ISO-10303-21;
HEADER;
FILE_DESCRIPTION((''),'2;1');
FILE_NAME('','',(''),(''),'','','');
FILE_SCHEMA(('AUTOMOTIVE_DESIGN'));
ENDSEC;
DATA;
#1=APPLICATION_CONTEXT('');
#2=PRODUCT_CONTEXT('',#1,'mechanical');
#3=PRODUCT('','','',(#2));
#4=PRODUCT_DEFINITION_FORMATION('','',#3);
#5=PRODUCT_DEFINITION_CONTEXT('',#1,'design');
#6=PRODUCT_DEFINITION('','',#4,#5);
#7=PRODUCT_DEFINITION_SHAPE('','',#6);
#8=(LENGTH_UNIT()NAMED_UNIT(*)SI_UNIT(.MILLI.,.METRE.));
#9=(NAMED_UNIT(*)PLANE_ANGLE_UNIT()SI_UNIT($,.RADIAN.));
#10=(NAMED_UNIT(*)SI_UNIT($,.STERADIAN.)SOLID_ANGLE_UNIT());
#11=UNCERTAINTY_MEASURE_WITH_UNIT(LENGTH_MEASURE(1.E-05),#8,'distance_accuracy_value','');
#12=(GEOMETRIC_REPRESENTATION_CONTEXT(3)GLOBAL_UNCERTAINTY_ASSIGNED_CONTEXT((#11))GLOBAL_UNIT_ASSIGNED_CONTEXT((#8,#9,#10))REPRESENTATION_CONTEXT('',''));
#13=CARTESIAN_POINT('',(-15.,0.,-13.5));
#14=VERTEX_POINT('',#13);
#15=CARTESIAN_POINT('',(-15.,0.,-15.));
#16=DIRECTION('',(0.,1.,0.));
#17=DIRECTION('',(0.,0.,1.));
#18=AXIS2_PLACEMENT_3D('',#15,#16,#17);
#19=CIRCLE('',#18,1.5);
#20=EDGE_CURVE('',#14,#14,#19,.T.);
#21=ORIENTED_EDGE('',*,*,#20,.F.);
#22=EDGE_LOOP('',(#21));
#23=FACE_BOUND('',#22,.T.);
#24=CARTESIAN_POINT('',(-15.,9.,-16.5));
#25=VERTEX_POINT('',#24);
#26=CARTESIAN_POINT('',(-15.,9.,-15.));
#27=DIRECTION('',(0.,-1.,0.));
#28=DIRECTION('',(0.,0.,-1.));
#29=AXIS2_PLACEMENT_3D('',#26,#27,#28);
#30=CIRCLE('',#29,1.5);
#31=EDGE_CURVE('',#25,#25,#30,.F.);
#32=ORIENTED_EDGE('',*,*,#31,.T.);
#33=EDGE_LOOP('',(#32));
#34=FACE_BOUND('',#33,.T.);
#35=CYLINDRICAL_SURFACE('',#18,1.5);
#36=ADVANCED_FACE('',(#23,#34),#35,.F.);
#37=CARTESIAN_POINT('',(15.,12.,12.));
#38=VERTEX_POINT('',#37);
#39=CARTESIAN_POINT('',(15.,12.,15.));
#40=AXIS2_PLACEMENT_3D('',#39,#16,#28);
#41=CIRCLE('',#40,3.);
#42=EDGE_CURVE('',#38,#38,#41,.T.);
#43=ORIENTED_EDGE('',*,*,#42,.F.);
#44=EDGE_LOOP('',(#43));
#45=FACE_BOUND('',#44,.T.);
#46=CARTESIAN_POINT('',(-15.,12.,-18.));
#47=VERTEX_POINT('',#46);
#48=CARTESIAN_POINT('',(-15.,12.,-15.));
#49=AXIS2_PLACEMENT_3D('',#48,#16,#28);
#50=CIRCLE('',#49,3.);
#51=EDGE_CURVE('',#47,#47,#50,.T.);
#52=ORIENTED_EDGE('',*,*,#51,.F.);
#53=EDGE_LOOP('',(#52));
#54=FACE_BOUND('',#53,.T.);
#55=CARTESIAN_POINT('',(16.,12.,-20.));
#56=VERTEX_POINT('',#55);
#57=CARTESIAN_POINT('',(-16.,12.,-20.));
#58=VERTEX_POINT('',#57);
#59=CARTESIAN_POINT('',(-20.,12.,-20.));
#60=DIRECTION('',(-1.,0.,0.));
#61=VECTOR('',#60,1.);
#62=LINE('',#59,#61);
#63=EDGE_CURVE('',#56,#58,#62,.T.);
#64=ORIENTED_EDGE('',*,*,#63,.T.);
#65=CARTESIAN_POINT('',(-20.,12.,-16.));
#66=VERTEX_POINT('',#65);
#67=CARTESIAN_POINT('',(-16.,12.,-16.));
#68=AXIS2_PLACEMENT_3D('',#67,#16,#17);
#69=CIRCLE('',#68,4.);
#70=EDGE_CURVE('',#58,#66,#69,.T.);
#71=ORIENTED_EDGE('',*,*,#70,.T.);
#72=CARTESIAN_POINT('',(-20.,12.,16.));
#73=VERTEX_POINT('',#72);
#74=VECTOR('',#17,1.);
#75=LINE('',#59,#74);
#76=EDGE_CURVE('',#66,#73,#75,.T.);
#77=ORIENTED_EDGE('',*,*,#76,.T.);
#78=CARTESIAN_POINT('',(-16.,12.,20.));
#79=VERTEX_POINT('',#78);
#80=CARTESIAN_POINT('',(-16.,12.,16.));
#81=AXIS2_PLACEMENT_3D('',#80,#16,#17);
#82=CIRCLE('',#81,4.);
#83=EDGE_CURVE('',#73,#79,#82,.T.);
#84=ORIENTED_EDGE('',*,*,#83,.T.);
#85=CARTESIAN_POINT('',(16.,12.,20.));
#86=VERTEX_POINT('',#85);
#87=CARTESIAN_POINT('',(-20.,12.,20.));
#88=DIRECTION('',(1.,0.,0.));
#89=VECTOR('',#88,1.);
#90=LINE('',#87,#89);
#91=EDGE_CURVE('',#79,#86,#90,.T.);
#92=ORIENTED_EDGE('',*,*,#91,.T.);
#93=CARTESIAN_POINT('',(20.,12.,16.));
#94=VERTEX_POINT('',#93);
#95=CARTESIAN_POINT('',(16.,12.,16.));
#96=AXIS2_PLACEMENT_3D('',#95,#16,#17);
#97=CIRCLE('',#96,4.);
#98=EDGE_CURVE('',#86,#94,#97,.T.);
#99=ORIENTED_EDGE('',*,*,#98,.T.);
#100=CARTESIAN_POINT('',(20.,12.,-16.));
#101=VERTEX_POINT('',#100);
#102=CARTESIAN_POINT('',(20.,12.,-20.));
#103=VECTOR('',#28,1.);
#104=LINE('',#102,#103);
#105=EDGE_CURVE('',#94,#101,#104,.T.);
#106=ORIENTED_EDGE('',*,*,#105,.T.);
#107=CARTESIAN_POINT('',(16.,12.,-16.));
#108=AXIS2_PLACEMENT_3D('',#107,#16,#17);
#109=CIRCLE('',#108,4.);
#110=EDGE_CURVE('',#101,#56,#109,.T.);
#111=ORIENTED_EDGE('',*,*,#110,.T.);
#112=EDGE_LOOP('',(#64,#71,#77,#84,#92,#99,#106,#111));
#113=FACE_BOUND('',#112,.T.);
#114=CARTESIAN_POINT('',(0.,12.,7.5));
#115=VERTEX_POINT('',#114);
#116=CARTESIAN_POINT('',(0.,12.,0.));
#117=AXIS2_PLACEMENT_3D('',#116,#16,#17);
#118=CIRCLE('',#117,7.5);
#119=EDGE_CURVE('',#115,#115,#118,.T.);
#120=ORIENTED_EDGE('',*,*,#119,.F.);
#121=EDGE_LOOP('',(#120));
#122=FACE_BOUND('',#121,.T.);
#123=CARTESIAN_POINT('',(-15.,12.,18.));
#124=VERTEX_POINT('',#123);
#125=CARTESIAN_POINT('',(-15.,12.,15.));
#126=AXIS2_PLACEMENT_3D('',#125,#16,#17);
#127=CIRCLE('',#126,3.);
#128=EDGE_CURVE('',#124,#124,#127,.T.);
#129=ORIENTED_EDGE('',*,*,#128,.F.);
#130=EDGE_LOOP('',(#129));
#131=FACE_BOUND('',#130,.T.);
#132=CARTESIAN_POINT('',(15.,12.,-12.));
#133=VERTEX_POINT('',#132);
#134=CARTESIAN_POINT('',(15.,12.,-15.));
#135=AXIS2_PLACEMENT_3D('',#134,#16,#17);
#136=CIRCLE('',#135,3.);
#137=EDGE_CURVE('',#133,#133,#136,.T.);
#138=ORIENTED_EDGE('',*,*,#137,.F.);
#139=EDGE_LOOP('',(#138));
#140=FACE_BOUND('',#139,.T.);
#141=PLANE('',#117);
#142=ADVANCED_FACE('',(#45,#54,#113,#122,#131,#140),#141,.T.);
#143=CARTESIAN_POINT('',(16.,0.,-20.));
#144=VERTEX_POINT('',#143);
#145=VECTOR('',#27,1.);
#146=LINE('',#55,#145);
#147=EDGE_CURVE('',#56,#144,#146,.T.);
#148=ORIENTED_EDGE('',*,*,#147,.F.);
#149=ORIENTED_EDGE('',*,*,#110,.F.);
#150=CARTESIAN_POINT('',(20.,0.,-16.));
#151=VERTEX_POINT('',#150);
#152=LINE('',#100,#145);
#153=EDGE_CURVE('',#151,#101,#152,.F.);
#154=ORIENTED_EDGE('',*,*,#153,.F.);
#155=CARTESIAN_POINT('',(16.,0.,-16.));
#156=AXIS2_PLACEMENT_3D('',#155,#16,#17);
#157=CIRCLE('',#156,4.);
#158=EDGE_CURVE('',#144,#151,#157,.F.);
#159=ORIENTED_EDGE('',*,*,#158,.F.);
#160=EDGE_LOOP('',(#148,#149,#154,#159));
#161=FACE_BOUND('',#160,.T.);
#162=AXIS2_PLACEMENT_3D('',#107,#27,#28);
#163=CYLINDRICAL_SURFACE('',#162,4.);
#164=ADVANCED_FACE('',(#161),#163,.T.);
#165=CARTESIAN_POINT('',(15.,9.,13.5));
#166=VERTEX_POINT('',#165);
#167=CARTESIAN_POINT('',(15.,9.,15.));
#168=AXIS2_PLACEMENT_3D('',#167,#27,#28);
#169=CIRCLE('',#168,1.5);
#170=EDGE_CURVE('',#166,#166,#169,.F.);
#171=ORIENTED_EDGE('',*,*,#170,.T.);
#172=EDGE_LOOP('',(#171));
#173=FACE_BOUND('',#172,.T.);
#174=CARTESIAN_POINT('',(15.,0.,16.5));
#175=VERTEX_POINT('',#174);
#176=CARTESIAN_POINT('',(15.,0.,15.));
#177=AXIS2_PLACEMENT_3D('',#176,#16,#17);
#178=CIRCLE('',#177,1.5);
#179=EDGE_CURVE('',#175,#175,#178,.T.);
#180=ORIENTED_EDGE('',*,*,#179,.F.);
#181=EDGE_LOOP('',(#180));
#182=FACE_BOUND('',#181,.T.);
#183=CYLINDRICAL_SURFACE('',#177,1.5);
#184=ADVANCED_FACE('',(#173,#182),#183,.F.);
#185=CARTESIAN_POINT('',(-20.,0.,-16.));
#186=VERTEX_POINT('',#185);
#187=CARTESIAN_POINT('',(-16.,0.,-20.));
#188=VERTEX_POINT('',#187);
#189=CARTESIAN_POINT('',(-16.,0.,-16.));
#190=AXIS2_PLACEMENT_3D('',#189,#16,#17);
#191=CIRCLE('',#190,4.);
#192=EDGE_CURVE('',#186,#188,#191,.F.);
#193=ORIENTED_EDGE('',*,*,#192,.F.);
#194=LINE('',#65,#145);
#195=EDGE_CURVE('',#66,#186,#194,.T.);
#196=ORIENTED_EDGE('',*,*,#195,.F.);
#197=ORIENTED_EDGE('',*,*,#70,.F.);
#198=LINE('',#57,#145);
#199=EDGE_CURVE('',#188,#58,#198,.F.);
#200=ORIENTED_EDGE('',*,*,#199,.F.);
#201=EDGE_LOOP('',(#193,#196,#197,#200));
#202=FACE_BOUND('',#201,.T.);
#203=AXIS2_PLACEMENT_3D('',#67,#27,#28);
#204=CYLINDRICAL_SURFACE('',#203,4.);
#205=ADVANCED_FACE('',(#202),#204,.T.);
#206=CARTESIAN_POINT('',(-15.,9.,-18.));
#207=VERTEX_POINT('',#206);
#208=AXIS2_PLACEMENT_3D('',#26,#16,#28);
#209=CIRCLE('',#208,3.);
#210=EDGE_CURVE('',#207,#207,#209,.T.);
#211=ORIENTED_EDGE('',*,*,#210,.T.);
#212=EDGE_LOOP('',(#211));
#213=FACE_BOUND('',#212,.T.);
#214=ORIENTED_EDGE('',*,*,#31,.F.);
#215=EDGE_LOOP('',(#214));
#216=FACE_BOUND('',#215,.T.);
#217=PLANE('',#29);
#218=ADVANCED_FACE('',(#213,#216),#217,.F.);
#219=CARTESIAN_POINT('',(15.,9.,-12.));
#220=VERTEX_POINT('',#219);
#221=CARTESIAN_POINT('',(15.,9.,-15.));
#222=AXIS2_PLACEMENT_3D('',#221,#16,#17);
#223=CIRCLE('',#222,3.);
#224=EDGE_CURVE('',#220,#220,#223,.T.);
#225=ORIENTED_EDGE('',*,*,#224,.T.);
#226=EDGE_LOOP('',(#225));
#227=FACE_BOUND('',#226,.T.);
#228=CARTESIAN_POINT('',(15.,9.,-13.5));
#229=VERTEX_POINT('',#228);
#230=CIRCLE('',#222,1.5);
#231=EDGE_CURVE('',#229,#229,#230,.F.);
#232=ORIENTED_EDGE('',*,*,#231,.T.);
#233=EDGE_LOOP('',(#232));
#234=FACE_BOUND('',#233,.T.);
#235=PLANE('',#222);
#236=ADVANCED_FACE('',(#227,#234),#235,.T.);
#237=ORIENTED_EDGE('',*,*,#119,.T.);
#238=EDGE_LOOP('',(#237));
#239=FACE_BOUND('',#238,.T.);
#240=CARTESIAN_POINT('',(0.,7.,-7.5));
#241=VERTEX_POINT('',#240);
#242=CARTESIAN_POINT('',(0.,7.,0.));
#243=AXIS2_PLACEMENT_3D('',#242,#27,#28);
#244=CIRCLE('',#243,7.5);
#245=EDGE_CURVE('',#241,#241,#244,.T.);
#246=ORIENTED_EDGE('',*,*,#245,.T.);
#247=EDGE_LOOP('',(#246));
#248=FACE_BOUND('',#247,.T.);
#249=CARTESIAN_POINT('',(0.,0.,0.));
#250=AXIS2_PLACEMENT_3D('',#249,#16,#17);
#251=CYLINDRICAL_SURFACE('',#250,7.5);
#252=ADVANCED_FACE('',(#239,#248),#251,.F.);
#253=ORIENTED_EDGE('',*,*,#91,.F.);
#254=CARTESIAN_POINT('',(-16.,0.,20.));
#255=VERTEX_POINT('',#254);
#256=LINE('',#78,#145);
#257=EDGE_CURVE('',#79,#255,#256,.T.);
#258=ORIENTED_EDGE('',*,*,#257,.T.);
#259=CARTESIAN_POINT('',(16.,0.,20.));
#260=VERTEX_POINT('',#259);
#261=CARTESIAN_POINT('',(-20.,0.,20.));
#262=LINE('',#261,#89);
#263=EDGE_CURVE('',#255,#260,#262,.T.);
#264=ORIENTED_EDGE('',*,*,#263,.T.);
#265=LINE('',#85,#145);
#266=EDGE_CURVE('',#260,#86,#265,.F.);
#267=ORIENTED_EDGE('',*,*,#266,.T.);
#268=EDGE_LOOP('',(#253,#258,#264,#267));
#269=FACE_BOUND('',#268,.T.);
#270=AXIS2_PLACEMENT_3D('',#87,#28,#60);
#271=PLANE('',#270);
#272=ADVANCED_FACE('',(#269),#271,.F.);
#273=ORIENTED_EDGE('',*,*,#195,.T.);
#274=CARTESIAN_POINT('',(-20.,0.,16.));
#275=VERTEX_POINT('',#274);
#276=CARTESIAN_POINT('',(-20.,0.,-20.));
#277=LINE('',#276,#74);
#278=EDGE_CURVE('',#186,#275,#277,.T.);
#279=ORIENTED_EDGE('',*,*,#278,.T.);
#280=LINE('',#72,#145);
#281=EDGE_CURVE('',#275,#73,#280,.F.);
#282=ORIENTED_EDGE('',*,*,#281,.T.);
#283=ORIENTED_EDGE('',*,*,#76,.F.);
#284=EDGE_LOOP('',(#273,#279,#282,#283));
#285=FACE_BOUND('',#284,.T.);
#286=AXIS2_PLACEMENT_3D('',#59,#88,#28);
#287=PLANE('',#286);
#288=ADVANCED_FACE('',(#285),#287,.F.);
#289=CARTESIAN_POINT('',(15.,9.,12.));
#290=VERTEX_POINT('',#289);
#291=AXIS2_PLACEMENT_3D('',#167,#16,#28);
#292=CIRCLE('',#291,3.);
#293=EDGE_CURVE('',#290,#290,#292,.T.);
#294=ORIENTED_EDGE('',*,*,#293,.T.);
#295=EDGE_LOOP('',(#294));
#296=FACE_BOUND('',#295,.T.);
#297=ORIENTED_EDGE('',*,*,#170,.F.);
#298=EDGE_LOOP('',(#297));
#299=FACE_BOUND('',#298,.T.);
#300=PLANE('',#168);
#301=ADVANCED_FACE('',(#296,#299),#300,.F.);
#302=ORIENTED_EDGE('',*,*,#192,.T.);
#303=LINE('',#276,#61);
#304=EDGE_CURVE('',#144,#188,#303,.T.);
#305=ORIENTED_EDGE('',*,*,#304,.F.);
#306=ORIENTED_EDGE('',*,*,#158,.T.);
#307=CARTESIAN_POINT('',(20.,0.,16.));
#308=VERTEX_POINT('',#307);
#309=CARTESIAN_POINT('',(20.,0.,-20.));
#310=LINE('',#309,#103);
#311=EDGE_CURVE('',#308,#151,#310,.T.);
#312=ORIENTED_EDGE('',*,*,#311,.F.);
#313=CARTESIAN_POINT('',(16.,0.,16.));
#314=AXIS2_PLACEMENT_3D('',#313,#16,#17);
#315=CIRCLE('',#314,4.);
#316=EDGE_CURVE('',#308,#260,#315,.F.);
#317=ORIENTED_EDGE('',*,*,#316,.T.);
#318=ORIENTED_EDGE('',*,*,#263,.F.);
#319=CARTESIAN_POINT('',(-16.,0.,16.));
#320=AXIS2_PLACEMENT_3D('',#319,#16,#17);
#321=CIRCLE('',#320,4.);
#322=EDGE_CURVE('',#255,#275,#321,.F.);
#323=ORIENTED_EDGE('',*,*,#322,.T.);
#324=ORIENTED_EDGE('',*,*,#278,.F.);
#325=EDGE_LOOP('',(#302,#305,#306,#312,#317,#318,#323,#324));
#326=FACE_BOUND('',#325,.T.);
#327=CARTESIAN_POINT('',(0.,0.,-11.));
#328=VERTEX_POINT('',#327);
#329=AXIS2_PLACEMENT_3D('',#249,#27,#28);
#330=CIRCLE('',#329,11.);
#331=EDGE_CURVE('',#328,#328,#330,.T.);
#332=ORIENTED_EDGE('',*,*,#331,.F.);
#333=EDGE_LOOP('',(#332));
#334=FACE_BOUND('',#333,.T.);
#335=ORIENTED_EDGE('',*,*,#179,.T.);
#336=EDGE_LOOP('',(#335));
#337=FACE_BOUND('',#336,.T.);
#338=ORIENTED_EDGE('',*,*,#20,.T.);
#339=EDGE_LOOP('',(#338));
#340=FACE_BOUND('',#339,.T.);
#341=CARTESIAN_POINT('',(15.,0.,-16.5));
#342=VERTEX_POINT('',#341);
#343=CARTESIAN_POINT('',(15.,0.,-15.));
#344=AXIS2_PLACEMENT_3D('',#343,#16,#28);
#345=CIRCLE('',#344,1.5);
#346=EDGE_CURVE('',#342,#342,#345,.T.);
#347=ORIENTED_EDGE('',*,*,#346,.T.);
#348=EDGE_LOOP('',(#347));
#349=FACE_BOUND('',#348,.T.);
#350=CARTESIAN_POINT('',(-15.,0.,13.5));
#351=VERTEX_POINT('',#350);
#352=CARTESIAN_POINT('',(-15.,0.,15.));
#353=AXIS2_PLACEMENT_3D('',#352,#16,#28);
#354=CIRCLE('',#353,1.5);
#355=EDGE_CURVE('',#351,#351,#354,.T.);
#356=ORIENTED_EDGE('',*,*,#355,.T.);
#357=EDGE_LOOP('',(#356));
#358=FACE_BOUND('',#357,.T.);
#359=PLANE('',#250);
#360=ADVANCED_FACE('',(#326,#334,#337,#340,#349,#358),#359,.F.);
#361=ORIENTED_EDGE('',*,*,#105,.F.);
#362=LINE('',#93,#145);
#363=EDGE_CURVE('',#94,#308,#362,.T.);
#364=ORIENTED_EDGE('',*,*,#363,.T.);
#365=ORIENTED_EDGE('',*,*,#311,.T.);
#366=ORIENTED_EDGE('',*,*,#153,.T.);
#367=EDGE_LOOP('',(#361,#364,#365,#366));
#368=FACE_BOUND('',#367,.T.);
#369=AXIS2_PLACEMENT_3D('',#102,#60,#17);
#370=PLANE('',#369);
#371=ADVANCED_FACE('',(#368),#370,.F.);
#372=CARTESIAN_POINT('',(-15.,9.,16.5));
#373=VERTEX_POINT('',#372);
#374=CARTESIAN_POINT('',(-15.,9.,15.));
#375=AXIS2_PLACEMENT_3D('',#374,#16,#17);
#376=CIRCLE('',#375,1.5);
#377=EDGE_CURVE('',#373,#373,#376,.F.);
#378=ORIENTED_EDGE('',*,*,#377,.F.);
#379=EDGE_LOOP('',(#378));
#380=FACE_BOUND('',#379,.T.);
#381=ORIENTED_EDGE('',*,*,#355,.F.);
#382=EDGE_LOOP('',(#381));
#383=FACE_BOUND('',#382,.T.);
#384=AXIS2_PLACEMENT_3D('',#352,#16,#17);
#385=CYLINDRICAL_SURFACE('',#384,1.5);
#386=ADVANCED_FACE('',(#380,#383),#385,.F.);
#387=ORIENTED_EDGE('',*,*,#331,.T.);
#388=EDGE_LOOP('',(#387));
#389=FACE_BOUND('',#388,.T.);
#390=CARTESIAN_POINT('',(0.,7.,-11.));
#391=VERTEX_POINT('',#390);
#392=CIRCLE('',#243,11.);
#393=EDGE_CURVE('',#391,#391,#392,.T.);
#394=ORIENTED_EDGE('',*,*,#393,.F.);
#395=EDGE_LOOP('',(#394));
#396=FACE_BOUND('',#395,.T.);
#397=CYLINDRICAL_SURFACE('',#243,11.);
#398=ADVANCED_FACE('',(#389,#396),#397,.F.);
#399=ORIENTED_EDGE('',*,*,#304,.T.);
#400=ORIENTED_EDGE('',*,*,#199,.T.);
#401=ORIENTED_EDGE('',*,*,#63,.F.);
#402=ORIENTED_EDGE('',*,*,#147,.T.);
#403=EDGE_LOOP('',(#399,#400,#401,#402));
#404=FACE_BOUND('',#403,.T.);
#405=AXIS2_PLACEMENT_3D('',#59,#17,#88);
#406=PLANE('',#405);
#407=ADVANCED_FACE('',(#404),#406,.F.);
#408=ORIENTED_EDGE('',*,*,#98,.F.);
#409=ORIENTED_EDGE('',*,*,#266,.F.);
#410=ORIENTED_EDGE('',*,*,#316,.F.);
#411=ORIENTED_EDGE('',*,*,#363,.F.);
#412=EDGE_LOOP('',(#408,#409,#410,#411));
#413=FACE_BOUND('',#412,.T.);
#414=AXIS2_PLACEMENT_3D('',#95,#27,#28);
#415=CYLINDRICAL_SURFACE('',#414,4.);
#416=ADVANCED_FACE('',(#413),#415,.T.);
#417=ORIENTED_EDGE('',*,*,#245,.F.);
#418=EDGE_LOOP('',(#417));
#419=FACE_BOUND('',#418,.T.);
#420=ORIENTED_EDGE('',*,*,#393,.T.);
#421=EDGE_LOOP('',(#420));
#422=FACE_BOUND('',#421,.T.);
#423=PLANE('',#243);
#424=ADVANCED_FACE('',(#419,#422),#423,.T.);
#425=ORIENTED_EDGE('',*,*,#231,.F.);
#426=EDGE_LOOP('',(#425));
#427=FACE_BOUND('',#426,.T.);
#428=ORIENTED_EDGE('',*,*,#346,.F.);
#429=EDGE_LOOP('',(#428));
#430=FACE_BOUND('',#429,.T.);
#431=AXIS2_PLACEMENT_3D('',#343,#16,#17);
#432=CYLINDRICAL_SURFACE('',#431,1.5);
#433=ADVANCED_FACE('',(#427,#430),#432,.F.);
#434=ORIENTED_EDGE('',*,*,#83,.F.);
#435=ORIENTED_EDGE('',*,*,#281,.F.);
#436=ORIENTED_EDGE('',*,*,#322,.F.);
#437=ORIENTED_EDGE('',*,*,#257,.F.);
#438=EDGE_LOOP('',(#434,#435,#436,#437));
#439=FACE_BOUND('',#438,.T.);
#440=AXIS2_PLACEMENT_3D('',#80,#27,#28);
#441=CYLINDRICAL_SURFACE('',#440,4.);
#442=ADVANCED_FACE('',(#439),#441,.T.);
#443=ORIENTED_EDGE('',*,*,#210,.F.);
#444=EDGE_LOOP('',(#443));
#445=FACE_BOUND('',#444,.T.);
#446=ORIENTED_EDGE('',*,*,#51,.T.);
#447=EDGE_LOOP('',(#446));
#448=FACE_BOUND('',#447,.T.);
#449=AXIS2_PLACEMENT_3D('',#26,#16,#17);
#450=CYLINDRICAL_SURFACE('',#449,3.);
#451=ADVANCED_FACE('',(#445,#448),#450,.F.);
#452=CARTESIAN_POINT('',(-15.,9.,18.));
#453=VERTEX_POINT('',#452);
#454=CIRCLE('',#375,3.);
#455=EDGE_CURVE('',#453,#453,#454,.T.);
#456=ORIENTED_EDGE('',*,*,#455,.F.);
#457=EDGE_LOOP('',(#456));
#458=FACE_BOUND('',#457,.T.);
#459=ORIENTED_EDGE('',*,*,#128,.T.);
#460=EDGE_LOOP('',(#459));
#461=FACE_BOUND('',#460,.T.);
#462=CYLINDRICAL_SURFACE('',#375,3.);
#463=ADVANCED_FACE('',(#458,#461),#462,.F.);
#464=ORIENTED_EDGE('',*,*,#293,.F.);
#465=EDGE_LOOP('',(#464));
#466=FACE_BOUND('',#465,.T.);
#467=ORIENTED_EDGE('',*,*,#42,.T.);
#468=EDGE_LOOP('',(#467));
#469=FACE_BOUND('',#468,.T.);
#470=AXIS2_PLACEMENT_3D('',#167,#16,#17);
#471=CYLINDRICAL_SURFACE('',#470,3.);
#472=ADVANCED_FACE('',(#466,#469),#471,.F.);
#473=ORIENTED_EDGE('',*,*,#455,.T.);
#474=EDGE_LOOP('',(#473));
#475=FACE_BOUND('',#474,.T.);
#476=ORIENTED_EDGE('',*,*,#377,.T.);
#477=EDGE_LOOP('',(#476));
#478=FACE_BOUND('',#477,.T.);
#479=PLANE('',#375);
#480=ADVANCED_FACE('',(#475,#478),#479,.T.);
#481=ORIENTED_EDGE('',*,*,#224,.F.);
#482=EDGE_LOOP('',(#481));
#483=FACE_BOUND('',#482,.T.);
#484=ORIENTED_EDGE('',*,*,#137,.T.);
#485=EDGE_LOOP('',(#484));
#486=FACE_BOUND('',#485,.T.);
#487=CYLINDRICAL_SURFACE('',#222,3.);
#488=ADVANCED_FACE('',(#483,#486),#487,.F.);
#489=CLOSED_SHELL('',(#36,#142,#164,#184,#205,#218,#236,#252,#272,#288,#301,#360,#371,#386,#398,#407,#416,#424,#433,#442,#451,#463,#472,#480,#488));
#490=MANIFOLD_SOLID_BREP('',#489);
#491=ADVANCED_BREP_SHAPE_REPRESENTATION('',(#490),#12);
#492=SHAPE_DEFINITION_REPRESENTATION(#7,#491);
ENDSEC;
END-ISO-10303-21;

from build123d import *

# Parameters (mm, degrees)
SKETCH1_W           = 40
SKETCH1_H           = 40
BOSS_EXTRUDE1_DEPTH = 12
SKETCH2_R           = 11
CUT_EXTRUDE1_DEPTH  = 7
SKETCH3_R           = 7.5
CUT_EXTRUDE2_DEPTH  = 31.724582991
FILLET1_R           = 4
SKETCH4_R           = 1.5
CUT_EXTRUDE3_DEPTH  = 31.724582991
SKETCH5_R           = 3
CUT_EXTRUDE4_DEPTH  = 3


with BuildPart() as part:
    # Sketch1 → Boss-Extrude1 (new body)
    with BuildSketch(Plane(origin=(0, 0, 0), x_dir=(1, 0, 0), z_dir=(0, 1, 0))):
        Rectangle(SKETCH1_W, SKETCH1_H)
    extrude(amount=BOSS_EXTRUDE1_DEPTH)

    # Sketch2 → Cut-Extrude1 (cut)
    with BuildSketch(Plane.XZ):
        with Locations(Location((0, 0, 0), (0, 0, 270))):
            Circle(SKETCH2_R)
    extrude(amount=-CUT_EXTRUDE1_DEPTH, mode=Mode.SUBTRACT)

    # Sketch3 → Cut-Extrude2 (cut, through all)
    with BuildSketch(Plane(origin=(0, 12, 0), x_dir=(1, 0, 0), z_dir=(0, 1, 0))):
        with Locations(Location((0, 0, 0), (0, 0, 270))):
            Circle(SKETCH3_R)
    extrude(amount=-CUT_EXTRUDE2_DEPTH, mode=Mode.SUBTRACT)

    # Fillet1
    fillet1_edges = [part.edges().sort_by_distance(p)[0] for p in [
        (20, 6, 20),
        (-20, 6, 20),
        (-20, 6, -20),
        (20, 6, -20),
    ]]
    fillet(fillet1_edges, radius=FILLET1_R)

    # Sketch4 → Cut-Extrude3 (cut, through all)
    with BuildSketch(Plane(origin=(0, 12, 0), x_dir=(1, 0, 0), z_dir=(0, 1, 0))):
        with Locations(Location((-15, 15, 0), (0, 0, 270))):
            Circle(SKETCH4_R)
        with Locations(Location((15, 15, 0), (0, 0, 90))):
            Circle(SKETCH4_R)
        with Locations(Location((15, -15, 0), (0, 0, 270))):
            Circle(SKETCH4_R)
        with Locations(Location((-15, -15, 0), (0, 0, 90))):
            Circle(SKETCH4_R)
    extrude(amount=-CUT_EXTRUDE3_DEPTH, mode=Mode.SUBTRACT)

    # Sketch5 → Cut-Extrude4 (cut)
    with BuildSketch(Plane(origin=(0, 12, 0), x_dir=(1, 0, 0), z_dir=(0, 1, 0))):
        with Locations(Location((-15, -15, 0), (0, 0, 270))):
            Circle(SKETCH5_R)
        with Locations(Location((-15, 15, 0), (0, 0, 90))):
            Circle(SKETCH5_R)
        with Locations(Location((15, -15, 0), (0, 0, 90))):
            Circle(SKETCH5_R)
        with Locations(Location((15, 15, 0), (0, 0, 270))):
            Circle(SKETCH5_R)
    extrude(amount=-CUT_EXTRUDE4_DEPTH, mode=Mode.SUBTRACT)


solid = part.part
